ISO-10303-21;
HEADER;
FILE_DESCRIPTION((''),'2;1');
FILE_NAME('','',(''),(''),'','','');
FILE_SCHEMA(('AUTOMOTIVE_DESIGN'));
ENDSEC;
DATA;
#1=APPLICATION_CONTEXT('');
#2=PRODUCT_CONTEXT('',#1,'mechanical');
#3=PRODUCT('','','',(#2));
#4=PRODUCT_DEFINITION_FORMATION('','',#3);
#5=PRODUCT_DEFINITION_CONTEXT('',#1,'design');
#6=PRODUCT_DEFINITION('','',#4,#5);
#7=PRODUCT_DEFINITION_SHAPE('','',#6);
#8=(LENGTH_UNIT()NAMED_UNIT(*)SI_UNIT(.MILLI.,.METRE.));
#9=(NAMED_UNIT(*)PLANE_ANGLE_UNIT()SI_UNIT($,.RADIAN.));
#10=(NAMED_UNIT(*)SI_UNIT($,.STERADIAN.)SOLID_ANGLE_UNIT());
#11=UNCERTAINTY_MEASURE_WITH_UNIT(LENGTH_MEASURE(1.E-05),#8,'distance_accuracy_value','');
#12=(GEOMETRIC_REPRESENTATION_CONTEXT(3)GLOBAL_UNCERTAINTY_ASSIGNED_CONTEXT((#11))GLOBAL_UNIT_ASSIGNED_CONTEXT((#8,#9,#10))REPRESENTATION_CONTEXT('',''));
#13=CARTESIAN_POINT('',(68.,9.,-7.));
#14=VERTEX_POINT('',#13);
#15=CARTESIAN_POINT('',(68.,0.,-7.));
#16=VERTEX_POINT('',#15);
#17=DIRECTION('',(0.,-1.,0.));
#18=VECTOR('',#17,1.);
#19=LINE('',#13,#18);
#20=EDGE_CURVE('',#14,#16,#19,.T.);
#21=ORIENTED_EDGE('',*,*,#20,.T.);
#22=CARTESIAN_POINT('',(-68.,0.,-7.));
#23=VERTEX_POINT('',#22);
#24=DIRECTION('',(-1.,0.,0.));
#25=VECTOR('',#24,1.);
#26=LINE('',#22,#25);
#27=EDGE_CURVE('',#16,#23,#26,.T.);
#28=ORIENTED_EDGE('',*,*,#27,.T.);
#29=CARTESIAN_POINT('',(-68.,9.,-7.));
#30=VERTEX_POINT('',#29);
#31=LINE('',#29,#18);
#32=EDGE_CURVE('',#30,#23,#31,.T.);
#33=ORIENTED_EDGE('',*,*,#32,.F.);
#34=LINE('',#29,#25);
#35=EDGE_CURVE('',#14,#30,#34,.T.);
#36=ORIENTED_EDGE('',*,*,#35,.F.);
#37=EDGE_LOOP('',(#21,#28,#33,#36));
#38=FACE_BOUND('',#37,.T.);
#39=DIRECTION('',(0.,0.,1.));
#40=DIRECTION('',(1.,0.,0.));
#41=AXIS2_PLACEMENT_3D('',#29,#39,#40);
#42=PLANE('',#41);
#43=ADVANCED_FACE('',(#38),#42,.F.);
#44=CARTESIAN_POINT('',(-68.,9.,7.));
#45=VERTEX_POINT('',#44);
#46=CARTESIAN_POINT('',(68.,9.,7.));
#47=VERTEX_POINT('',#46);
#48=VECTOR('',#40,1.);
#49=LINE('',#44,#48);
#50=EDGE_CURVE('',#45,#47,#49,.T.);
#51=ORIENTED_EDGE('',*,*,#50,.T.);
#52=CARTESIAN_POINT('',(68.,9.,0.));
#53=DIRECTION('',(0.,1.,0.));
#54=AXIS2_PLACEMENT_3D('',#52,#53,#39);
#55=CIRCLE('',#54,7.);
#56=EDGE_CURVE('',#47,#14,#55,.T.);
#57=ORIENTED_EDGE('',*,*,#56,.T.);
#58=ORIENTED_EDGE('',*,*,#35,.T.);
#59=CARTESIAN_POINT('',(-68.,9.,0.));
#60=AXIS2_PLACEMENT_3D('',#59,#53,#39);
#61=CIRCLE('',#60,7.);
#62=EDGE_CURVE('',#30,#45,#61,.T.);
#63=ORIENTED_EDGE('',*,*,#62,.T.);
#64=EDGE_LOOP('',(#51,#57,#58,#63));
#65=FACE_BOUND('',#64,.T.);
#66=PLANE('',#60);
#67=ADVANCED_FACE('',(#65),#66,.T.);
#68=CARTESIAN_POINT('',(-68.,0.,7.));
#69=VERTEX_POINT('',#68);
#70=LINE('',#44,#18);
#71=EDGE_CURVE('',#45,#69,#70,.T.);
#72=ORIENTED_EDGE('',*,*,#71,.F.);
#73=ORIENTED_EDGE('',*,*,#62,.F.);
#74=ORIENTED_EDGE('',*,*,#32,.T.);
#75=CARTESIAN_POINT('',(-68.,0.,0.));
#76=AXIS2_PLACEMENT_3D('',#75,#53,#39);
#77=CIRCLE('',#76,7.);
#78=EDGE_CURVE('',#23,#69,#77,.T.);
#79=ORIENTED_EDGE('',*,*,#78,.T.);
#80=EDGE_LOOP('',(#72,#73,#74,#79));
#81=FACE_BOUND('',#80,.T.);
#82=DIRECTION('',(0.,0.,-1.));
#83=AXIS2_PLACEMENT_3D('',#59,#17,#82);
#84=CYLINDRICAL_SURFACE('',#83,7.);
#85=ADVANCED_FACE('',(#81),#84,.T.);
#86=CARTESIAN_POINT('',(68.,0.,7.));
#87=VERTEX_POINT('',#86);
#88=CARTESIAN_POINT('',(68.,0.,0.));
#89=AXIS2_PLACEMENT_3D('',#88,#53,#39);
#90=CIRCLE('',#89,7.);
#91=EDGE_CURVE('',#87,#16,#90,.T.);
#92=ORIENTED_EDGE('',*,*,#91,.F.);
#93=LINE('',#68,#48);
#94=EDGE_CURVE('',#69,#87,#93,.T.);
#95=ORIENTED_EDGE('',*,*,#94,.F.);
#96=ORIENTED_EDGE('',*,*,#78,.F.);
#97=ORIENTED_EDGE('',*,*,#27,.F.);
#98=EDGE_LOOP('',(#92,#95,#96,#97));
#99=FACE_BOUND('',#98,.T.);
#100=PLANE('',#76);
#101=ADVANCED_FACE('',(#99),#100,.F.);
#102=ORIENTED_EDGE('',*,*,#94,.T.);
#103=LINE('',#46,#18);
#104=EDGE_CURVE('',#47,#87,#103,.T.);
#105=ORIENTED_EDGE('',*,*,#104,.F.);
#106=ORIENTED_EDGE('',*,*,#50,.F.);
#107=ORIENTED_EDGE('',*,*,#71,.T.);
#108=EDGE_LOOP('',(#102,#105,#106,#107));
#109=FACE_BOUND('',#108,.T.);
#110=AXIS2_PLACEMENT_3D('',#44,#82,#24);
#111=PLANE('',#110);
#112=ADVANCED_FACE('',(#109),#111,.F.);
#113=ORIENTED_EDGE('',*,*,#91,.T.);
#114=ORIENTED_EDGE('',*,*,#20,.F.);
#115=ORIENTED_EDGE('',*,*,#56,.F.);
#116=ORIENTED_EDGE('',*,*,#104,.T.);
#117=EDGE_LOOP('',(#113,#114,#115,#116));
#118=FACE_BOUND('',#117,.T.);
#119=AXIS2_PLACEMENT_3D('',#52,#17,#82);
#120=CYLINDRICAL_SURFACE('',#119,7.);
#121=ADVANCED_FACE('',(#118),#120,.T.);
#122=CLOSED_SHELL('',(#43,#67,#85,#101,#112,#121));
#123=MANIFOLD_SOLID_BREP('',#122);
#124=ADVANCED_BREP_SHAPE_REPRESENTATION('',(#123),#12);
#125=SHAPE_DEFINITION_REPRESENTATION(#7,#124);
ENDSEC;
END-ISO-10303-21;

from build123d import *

# Parameters (mm, degrees)
EXTRUDE_1_DEPTH = 9


with BuildPart() as part:
    # Эскиз1 → Бобышка-Вытянуть1 (new body)
    with BuildSketch(Plane(origin=(0, 0, 0), x_dir=(1, 0, 0), z_dir=(0, 1, 0))):
        with BuildLine():
            Line((-68, 7), (68, 7))
            ThreePointArc((68, 7), (75, 0), (68, -7))
            Line((68, -7), (-68, -7))
            ThreePointArc((-68, -7), (-75, 0), (-68, 7))
        make_face()
    extrude(amount=EXTRUDE_1_DEPTH)


solid = part.part
